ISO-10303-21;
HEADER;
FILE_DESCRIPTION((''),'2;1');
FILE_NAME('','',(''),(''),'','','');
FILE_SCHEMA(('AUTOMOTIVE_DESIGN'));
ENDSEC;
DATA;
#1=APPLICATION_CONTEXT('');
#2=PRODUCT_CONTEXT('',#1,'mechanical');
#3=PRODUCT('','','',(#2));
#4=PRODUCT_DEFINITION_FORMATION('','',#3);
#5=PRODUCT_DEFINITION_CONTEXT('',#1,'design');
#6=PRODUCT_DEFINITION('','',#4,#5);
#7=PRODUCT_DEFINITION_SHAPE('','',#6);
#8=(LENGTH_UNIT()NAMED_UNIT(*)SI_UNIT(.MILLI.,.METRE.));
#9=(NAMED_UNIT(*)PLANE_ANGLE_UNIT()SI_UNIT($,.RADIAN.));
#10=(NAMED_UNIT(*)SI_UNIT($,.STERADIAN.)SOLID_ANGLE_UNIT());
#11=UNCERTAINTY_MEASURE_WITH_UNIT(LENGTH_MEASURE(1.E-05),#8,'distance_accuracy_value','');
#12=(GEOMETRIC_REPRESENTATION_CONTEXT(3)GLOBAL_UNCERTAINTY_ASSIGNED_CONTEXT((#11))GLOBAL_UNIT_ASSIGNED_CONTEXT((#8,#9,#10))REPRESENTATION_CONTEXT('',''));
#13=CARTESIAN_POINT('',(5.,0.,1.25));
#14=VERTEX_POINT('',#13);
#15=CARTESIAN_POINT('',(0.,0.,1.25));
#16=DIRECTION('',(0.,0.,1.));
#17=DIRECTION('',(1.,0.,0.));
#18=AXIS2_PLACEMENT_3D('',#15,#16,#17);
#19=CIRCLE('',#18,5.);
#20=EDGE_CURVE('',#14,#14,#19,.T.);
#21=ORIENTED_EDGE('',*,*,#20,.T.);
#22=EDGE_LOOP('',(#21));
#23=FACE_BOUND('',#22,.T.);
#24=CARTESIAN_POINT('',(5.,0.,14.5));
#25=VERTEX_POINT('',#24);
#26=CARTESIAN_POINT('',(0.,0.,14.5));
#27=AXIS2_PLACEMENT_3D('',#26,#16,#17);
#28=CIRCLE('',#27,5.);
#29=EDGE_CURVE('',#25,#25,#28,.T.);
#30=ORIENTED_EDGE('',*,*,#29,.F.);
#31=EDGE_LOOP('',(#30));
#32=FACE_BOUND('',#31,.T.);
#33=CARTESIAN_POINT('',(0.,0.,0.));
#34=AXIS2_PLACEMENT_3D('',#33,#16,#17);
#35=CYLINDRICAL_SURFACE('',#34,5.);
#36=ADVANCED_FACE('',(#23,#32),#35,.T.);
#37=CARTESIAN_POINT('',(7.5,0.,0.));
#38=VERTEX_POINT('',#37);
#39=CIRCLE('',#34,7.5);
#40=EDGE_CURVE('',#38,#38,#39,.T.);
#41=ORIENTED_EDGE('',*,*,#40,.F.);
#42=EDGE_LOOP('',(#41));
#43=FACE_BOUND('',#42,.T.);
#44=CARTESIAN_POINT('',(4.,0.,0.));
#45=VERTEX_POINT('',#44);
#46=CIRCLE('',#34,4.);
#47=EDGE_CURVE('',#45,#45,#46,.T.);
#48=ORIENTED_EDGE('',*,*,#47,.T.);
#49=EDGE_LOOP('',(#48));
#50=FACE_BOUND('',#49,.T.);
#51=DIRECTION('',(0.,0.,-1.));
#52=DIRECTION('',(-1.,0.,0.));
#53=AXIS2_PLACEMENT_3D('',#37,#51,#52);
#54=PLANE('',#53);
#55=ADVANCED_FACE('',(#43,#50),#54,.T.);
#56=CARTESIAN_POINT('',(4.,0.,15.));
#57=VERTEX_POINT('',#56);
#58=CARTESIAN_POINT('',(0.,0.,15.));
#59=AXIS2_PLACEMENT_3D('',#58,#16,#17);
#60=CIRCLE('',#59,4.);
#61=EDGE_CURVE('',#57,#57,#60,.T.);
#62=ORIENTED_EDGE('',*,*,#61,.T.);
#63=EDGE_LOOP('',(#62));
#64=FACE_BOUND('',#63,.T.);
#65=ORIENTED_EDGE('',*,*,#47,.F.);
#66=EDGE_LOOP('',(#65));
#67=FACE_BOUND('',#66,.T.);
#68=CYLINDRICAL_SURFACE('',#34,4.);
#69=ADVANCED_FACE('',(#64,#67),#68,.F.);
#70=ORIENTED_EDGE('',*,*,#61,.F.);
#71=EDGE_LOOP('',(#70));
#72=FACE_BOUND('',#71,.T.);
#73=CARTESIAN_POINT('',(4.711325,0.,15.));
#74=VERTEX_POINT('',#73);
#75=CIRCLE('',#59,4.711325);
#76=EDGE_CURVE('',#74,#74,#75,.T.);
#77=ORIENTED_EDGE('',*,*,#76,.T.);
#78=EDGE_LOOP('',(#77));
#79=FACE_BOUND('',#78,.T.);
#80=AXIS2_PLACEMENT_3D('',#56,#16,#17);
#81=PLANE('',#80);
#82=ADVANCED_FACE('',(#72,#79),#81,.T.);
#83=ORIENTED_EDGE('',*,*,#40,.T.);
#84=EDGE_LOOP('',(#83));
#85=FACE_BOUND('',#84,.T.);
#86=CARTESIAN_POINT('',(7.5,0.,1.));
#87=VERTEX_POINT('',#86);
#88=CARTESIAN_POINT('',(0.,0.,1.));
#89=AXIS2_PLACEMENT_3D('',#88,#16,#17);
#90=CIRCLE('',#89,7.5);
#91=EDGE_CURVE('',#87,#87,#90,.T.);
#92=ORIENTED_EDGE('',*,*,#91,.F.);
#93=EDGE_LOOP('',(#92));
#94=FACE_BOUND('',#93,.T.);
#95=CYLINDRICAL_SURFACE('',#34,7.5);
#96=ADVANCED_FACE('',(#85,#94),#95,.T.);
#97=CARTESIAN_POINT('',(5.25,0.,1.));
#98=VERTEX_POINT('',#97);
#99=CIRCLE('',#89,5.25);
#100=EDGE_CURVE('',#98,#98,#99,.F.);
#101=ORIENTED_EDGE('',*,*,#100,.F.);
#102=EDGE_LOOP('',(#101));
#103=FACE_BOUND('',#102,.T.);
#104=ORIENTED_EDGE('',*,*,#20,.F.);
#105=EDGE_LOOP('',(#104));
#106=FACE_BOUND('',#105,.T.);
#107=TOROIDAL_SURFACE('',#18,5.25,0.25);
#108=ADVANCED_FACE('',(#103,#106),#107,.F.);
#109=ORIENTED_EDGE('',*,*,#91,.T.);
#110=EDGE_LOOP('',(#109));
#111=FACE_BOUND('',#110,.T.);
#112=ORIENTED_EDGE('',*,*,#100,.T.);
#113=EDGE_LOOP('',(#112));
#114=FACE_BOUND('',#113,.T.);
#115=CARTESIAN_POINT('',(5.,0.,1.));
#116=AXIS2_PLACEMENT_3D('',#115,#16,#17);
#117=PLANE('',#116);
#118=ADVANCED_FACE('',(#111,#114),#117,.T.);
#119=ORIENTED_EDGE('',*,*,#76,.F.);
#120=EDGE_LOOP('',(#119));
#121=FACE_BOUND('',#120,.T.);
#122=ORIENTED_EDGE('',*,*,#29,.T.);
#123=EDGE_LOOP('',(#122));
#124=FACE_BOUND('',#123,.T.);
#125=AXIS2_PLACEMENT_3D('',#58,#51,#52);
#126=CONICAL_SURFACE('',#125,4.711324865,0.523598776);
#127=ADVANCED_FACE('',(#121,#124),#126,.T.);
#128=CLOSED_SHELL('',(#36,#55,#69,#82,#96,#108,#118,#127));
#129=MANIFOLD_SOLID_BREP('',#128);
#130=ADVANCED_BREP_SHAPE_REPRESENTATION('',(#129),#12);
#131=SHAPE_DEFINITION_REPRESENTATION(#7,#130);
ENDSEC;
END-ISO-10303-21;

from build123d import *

# Parameters (mm, degrees)
FILLET1_R = 0.25


with BuildPart() as part:
    # Sketch1 → Revolve1 (revolve)
    with BuildSketch(Plane(origin=(0, 0, 0), x_dir=(-1, 0, 0), z_dir=(0, 1, 0))):
        Polygon((-5, 1), (-7.5, 1), (-7.5, 0), (-4, 0), (-4, 15), (-4.711324865, 15), (-5, 14.5), align=None)
    revolve(axis=Axis((0, 0, 0), (0, 0, 1)))

    # Fillet1
    fillet1_edges = [part.edges().sort_by_distance(p)[0] for p in [
        (-5, 0, 1),
    ]]
    fillet(fillet1_edges, radius=FILLET1_R)


solid = part.part
